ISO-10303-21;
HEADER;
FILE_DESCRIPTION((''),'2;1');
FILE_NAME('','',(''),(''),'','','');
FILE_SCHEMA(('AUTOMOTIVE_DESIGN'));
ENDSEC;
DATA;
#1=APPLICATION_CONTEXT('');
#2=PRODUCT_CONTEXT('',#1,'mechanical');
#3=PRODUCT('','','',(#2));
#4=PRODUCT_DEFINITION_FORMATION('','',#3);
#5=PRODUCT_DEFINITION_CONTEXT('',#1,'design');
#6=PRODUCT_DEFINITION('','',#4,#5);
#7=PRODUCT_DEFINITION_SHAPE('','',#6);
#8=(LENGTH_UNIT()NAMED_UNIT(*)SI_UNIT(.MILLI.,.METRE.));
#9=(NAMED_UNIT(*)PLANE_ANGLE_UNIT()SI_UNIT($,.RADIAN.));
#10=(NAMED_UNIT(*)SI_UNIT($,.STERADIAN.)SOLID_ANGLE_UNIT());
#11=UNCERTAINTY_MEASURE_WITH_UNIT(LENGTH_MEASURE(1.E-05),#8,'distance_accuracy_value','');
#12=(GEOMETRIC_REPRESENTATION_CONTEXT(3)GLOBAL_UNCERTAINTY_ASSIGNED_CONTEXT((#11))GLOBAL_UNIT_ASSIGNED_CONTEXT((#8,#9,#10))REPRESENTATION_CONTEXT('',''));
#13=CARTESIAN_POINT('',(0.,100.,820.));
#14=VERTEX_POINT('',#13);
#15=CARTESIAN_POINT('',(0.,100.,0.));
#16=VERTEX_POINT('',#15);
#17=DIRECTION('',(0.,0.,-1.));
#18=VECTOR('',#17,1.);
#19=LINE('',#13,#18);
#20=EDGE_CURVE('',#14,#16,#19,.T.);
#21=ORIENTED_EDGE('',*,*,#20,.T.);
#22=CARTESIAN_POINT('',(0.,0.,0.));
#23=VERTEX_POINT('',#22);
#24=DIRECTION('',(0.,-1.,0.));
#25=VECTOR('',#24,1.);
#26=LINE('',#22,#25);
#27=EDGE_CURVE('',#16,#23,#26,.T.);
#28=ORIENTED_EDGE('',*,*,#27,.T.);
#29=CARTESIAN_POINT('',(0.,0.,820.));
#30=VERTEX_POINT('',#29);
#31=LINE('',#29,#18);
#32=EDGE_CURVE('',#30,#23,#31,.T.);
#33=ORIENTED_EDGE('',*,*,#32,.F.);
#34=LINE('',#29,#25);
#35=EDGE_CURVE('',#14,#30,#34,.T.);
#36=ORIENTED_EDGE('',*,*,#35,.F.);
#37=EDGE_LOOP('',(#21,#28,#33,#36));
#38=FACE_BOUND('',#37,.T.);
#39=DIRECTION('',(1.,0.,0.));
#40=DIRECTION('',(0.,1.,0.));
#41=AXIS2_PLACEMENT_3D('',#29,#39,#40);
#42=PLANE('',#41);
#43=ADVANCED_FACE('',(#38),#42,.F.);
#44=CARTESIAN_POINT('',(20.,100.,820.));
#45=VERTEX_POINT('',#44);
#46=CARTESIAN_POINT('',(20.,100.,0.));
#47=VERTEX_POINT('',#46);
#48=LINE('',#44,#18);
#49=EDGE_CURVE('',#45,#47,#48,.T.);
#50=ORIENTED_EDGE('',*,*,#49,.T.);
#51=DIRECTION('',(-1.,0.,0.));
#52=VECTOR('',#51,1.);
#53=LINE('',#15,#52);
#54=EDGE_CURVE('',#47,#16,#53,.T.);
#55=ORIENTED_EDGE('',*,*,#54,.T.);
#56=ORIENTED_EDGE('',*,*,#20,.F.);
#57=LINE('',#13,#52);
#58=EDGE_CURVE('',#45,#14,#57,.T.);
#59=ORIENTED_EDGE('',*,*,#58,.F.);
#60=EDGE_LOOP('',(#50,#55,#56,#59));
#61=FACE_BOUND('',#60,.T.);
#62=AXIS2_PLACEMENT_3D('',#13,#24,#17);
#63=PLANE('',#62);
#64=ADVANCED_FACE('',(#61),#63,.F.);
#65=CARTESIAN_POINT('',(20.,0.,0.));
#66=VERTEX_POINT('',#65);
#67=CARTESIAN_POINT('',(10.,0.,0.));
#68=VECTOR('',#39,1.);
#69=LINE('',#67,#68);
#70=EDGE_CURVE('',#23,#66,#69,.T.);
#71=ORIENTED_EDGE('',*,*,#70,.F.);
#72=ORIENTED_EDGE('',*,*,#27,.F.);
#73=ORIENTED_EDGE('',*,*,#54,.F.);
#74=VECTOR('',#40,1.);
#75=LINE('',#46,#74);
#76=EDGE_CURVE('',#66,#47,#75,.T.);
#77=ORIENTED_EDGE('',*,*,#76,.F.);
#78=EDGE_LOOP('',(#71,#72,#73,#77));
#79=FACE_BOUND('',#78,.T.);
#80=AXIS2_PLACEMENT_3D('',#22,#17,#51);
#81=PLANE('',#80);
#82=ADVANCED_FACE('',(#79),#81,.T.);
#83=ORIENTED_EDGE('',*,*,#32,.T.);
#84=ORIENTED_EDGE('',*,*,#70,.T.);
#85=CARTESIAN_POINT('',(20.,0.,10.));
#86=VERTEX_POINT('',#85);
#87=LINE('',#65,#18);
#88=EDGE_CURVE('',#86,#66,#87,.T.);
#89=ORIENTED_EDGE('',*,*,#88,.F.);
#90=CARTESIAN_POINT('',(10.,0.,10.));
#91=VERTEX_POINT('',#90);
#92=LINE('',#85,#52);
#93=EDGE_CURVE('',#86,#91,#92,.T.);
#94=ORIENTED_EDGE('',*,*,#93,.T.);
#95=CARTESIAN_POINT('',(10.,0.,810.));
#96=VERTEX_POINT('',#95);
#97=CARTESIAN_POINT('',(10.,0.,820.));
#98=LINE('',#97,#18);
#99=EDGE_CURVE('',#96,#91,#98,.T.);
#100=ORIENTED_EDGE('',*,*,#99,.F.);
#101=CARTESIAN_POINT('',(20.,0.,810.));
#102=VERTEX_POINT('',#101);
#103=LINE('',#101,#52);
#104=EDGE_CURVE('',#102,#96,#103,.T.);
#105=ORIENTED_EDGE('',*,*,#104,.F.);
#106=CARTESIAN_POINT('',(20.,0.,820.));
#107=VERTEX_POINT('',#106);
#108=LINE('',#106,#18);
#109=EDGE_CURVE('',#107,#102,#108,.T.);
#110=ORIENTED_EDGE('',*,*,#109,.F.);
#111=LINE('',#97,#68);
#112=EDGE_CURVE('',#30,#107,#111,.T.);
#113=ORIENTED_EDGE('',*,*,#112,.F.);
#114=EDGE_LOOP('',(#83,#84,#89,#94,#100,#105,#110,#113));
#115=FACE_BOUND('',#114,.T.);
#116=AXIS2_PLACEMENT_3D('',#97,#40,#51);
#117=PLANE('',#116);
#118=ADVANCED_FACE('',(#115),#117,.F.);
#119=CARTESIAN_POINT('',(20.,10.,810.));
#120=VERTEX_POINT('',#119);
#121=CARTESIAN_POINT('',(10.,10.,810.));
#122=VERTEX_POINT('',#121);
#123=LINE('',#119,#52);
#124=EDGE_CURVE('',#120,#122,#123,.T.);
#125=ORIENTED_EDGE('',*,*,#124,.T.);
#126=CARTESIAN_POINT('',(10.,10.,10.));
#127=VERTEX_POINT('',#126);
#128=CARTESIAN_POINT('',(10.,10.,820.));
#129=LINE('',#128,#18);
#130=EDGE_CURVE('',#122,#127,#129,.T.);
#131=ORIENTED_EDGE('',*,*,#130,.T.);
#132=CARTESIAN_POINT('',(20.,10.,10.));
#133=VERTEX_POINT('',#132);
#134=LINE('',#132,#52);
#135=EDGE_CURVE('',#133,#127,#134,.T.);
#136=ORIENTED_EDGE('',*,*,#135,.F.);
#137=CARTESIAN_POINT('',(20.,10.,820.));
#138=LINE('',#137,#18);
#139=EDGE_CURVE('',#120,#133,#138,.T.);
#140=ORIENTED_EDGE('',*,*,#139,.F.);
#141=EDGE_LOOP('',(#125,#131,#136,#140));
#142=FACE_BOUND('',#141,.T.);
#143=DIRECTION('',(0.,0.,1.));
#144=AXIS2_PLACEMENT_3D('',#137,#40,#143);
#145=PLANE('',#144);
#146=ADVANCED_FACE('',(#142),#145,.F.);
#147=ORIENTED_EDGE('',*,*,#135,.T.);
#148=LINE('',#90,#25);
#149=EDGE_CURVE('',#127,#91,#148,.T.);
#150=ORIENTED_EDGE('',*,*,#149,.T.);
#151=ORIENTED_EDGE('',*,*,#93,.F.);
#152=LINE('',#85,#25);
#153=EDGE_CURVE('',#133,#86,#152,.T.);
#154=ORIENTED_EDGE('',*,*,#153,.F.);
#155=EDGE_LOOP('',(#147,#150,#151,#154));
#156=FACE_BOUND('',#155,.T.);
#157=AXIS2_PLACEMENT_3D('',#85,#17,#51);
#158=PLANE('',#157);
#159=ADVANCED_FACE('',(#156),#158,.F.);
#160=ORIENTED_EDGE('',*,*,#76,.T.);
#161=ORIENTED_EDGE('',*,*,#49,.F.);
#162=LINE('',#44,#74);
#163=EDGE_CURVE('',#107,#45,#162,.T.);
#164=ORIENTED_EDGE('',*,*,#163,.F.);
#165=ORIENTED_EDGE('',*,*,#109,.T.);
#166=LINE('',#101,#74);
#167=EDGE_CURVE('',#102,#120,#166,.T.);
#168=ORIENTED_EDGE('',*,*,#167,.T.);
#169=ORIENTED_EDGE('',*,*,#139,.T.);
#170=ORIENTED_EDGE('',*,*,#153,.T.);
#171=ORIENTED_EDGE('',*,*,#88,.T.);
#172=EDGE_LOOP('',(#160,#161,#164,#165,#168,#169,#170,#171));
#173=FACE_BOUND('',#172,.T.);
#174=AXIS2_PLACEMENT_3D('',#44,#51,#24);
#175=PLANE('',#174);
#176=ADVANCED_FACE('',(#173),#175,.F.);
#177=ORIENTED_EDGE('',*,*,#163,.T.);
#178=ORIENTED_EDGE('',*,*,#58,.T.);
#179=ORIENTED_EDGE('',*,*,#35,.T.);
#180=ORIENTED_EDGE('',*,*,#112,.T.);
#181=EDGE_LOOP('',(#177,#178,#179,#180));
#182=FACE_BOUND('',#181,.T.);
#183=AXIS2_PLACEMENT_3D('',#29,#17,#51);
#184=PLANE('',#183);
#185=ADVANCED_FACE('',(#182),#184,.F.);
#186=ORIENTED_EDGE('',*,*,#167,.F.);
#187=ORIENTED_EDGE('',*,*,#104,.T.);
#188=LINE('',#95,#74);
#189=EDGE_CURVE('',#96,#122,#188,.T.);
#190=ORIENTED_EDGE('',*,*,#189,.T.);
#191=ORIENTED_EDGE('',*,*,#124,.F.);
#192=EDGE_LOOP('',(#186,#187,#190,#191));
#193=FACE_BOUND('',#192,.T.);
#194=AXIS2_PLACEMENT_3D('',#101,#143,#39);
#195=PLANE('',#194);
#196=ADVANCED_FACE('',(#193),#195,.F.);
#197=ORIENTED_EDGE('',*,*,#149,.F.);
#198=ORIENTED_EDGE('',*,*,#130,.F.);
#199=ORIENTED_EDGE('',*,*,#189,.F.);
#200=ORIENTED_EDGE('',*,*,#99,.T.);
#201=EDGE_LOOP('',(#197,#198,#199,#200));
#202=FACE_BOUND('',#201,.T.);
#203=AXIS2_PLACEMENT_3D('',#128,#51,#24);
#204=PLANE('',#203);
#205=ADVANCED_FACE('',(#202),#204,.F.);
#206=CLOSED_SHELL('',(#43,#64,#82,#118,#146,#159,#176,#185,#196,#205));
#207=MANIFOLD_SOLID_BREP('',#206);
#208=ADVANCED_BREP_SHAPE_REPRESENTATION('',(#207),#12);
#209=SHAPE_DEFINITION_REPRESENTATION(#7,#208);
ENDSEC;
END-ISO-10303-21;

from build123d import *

# Parameters (mm, degrees)
EXTRUDE_1_DEPTH = 820
SKETCH_3_W      = 10
SKETCH_3_H      = 10
EXTRUDE_2_DEPTH = 10


with BuildPart() as part:
    # Эскиз1 → Бобышка-Вытянуть1 (new body)
    with BuildSketch(Plane.XY):
        Polygon((0, 0), (0, 100), (20, 100), (20, 10), (10, 10), (10, 0), align=None)
    extrude(amount=EXTRUDE_1_DEPTH)

    # Эскиз3 → Бобышка-Вытянуть2 (add)
    with BuildSketch(Plane(origin=(10, 0, 0), x_dir=(0, 0, -1), z_dir=(1, 0, 0))):
        with Locations((-815, 5)):
            Rectangle(SKETCH_3_W, SKETCH_3_H)
        with Locations((-5, 5)):
            Rectangle(SKETCH_3_W, SKETCH_3_H)
    extrude(amount=EXTRUDE_2_DEPTH)


solid = part.part
